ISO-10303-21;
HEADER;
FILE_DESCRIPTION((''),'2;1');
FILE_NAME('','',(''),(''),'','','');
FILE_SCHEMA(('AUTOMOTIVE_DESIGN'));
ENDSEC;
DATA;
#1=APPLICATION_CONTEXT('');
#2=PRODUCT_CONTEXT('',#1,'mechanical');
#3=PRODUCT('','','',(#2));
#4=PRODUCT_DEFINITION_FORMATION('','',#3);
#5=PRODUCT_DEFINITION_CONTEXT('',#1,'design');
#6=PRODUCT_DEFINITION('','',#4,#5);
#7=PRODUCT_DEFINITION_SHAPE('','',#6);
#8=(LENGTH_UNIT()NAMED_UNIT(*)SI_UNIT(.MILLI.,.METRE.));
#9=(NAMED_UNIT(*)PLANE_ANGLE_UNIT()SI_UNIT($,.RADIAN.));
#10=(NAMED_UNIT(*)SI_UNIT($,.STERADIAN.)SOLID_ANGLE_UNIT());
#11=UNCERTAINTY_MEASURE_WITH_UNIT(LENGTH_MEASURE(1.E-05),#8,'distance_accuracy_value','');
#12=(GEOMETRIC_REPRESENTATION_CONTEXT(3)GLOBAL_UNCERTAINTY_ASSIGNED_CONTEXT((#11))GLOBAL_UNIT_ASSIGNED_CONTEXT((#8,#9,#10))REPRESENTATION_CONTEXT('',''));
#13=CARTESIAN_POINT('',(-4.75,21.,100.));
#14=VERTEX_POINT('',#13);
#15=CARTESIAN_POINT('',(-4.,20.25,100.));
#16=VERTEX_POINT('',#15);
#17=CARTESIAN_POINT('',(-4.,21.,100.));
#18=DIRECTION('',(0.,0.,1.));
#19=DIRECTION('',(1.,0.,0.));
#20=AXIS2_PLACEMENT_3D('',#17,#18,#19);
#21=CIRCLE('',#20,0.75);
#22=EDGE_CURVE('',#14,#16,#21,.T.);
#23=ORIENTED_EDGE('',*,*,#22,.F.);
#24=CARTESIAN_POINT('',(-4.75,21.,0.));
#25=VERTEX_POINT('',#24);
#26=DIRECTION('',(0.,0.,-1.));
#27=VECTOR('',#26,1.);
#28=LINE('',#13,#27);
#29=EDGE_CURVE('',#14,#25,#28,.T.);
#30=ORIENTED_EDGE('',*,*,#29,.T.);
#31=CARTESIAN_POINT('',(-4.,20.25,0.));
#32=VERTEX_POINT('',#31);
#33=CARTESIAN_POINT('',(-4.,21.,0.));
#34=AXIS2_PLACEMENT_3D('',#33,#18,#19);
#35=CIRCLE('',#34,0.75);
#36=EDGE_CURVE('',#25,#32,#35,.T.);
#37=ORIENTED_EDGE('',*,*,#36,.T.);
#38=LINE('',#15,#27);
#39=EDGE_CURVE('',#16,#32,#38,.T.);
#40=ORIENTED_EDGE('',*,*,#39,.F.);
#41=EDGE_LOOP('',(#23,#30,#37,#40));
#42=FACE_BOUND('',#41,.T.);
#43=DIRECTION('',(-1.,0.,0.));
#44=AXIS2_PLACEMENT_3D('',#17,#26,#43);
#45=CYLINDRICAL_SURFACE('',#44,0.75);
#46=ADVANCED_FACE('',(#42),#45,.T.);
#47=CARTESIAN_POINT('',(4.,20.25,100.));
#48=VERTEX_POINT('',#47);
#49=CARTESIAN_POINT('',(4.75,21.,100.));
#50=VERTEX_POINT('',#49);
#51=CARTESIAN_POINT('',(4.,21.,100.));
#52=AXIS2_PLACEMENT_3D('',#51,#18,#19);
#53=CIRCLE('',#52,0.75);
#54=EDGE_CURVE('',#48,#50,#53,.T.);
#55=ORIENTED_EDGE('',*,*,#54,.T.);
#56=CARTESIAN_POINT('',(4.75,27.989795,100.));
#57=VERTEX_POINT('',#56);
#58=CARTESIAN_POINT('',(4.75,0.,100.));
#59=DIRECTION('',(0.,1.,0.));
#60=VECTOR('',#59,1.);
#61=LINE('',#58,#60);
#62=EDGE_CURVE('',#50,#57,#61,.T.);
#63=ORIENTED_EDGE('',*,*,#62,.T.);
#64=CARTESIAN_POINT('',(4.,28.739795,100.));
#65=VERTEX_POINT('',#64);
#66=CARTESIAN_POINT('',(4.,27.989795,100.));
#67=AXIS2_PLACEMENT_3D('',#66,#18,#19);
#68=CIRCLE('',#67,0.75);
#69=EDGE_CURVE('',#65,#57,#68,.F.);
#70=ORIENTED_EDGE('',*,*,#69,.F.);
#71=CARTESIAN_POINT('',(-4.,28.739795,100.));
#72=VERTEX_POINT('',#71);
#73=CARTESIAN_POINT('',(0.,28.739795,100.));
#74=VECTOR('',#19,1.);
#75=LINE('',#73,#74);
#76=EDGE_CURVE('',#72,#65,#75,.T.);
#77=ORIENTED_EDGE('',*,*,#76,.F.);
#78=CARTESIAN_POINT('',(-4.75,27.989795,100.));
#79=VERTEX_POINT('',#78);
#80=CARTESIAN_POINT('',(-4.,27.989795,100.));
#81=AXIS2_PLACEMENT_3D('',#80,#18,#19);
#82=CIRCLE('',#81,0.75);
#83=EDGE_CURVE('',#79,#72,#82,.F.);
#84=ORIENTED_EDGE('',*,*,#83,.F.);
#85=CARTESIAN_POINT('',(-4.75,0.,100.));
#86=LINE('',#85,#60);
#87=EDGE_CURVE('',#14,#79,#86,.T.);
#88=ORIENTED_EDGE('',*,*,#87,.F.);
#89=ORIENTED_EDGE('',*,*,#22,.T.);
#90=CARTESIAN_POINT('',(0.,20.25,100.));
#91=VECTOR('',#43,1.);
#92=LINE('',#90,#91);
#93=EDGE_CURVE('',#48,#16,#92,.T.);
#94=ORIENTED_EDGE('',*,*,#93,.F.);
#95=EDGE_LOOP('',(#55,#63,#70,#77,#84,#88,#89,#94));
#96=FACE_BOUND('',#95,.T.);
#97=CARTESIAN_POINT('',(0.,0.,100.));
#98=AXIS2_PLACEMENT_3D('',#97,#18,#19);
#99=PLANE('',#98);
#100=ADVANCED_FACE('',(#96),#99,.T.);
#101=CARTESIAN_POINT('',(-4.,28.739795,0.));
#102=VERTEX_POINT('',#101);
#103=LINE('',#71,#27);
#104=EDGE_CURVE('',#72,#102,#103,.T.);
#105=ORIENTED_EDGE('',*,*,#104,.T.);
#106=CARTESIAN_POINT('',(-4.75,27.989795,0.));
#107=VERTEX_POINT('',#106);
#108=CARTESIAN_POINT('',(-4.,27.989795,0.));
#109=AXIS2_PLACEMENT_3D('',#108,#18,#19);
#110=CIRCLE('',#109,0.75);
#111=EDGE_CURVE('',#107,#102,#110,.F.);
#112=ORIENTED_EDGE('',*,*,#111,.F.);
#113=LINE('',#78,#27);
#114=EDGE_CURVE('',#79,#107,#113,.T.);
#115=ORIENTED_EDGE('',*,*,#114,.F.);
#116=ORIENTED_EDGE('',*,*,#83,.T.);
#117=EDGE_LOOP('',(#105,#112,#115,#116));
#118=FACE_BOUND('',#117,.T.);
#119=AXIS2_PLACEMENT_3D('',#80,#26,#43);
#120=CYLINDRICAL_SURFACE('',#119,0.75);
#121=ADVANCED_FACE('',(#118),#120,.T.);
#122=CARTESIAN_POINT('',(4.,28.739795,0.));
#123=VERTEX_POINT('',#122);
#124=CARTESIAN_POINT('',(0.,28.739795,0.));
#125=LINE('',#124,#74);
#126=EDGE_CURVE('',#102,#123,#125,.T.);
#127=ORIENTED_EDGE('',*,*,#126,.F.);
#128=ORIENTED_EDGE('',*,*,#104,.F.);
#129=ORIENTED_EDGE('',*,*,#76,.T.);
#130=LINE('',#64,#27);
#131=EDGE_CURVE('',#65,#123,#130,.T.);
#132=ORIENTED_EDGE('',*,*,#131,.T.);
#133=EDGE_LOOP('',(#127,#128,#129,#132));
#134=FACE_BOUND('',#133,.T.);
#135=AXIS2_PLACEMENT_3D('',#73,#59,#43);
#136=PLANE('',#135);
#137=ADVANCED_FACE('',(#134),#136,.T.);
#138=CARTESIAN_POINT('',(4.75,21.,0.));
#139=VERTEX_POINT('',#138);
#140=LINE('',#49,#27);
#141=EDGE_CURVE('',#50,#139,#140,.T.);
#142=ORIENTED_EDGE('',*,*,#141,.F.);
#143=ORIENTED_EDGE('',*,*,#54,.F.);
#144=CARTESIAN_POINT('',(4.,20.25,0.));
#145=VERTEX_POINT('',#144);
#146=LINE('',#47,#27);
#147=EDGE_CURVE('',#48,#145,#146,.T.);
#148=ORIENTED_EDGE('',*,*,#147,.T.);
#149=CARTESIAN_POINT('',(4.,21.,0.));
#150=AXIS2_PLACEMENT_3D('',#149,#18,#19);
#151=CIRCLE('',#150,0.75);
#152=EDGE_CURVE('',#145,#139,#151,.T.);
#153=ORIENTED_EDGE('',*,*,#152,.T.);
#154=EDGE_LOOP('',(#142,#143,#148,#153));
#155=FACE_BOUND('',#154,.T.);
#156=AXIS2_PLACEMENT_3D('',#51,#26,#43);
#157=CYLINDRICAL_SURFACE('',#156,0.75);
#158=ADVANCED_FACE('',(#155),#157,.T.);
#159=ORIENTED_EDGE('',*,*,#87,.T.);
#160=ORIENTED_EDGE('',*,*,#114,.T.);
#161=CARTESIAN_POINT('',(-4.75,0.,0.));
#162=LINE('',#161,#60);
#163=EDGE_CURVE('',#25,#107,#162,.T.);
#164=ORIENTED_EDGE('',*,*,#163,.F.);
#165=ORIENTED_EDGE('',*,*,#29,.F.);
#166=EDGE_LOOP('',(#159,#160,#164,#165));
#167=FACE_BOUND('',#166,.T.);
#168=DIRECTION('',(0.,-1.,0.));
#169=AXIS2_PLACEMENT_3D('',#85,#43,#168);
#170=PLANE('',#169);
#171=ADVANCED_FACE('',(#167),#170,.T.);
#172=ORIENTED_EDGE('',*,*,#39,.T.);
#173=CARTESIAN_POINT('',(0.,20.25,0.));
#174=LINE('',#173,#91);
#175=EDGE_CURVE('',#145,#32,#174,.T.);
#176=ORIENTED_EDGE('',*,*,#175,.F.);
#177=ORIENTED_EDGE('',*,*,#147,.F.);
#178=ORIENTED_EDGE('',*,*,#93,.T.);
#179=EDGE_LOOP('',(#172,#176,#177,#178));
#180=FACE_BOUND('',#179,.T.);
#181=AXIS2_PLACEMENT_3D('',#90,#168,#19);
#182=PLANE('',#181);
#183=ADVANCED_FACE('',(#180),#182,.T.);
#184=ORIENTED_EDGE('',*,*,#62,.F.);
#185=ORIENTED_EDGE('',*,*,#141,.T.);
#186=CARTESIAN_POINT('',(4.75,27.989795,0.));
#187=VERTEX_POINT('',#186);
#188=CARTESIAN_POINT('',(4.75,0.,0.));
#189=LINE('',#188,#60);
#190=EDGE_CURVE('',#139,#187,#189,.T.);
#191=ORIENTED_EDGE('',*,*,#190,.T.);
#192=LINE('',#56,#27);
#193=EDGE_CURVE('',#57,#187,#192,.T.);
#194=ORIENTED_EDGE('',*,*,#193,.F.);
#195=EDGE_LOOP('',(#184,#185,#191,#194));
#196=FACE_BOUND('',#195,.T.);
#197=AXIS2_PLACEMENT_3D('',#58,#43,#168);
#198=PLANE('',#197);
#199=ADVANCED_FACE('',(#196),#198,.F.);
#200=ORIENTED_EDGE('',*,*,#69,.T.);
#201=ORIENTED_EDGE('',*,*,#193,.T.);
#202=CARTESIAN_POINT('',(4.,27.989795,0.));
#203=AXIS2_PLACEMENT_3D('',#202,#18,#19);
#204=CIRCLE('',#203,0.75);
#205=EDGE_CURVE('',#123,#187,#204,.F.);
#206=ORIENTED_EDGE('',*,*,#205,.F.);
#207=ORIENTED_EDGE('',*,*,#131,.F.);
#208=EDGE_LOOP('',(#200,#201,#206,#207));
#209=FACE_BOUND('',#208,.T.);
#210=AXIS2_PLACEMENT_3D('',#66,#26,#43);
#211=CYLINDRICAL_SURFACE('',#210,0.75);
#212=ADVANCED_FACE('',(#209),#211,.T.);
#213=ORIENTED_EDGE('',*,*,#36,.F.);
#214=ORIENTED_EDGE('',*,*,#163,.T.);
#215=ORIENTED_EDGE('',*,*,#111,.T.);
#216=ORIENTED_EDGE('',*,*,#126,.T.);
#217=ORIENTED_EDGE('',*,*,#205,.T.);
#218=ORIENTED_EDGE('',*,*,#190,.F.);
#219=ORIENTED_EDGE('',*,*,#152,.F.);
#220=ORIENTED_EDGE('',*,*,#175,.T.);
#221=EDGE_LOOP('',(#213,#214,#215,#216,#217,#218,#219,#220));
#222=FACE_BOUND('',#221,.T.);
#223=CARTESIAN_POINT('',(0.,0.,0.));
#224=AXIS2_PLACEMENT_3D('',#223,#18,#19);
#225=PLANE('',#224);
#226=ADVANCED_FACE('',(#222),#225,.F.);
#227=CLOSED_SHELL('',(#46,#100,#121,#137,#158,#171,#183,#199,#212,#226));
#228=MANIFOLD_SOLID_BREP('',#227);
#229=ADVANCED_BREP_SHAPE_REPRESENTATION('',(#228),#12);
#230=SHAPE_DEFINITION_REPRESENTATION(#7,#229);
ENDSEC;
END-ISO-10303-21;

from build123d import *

# Parameters (mm, degrees)
Y_KSEKLIK_EKSTR_ZYON1_DEPTH = 100


with BuildPart() as part:
    # Model → Yükseklik-Ekstrüzyon1 (new body)
    with BuildSketch(Plane.XY):
        with BuildLine():
            ThreePointArc((-4.75, 27.989794856), (-4.530330086, 28.520124942), (-4, 28.739794856))
            Line((-4, 28.739794856), (0, 28.739794856))
            Line((0, 28.739794856), (4, 28.739794856))
            ThreePointArc((4, 28.739794856), (4.530330086, 28.520124942), (4.75, 27.989794856))
            Line((4.75, 27.989794856), (4.75, 21))
            ThreePointArc((4.75, 21), (4.530330086, 20.469669914), (4, 20.25))
            Line((4, 20.25), (0, 20.25))
            Line((0, 20.25), (-4, 20.25))
            ThreePointArc((-4, 20.25), (-4.530330086, 20.469669914), (-4.75, 21))
            Line((-4.75, 21), (-4.75, 27.989794856))
        make_face()
    extrude(amount=Y_KSEKLIK_EKSTR_ZYON1_DEPTH)


solid = part.part
